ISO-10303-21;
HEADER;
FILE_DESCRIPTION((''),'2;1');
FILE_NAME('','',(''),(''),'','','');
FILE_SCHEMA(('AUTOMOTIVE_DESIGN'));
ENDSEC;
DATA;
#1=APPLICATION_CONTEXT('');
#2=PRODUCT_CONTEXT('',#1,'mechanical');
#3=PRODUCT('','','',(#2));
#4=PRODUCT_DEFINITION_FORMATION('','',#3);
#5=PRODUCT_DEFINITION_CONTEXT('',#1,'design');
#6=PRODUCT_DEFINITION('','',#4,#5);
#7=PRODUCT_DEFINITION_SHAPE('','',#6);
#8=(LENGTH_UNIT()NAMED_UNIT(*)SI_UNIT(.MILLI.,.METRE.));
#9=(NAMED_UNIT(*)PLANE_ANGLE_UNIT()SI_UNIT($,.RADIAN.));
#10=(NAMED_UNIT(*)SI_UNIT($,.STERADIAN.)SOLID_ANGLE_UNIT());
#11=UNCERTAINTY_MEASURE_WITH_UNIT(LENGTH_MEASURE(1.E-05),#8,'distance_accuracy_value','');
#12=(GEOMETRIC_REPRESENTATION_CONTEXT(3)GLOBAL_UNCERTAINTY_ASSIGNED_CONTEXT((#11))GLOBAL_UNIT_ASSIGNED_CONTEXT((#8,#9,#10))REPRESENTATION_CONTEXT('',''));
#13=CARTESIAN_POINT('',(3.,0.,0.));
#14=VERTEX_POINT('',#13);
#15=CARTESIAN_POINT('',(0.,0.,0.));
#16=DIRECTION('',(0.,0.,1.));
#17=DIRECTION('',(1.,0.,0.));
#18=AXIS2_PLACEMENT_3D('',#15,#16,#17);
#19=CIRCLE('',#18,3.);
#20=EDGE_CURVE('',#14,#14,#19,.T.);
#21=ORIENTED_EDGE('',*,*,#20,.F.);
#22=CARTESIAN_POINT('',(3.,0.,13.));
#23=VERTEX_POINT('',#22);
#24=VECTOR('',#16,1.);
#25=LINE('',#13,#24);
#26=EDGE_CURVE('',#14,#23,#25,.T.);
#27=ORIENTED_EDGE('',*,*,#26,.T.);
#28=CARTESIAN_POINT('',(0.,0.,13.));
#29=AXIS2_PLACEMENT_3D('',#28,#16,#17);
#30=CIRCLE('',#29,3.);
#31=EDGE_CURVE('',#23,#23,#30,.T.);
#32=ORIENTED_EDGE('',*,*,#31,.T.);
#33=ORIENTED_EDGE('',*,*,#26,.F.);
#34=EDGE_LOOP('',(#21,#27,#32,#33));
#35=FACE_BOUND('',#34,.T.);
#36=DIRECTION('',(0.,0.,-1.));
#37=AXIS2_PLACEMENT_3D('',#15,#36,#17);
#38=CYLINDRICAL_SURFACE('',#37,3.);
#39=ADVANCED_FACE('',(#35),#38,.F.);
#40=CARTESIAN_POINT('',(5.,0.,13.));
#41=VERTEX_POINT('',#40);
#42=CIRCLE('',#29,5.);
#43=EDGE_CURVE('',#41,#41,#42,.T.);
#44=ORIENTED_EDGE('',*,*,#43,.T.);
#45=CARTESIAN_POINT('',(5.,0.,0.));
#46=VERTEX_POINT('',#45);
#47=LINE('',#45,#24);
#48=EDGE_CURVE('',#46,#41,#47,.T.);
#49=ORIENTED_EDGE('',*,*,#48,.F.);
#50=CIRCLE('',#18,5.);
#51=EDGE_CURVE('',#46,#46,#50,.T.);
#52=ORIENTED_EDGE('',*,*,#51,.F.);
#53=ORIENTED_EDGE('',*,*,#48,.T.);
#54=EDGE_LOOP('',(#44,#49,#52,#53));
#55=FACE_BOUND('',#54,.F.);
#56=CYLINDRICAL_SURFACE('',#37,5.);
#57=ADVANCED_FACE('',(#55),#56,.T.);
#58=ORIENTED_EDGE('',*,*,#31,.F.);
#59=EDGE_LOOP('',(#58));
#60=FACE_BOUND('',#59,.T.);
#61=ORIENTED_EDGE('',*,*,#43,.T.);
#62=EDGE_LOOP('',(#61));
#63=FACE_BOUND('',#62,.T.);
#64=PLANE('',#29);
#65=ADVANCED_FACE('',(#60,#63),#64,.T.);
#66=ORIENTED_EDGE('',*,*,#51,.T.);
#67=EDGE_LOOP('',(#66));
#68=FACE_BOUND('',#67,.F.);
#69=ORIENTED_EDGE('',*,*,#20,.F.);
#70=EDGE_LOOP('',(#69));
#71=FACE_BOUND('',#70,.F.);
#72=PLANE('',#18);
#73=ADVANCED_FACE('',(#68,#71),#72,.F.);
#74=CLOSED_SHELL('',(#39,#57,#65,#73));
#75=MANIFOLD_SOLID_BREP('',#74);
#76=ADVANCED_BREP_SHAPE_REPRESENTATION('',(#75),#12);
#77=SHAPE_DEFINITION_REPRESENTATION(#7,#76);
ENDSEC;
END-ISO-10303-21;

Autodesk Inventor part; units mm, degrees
ref_plane "YZ Plane" through (0, 0, 0) normal (1, 0, 0) x (0, 1, 0)
ref_plane "XZ Plane" through (0, 0, 0) normal (0, 1, 0) x (-1, 0, 0)
ref_plane "XY Plane" through (0, 0, 0) normal (0, 0, 1) x (1, 0, 0)
sketch "スケッチ1" plane through (0, 0, 0) normal (0, 0, 1) x (1, 0, 0)
  circle A0 centre (0, 0) radius 5
  circle A1 centre (0, 0) radius 3
  dimension "d0" = 10
  dimension "d1" = 6
extrude "押し出し1" add sketch "スケッチ1" along normal blind 13
properties part number "スペーサーM6L13アルミ" material "アルミニウム 2014-T4"
